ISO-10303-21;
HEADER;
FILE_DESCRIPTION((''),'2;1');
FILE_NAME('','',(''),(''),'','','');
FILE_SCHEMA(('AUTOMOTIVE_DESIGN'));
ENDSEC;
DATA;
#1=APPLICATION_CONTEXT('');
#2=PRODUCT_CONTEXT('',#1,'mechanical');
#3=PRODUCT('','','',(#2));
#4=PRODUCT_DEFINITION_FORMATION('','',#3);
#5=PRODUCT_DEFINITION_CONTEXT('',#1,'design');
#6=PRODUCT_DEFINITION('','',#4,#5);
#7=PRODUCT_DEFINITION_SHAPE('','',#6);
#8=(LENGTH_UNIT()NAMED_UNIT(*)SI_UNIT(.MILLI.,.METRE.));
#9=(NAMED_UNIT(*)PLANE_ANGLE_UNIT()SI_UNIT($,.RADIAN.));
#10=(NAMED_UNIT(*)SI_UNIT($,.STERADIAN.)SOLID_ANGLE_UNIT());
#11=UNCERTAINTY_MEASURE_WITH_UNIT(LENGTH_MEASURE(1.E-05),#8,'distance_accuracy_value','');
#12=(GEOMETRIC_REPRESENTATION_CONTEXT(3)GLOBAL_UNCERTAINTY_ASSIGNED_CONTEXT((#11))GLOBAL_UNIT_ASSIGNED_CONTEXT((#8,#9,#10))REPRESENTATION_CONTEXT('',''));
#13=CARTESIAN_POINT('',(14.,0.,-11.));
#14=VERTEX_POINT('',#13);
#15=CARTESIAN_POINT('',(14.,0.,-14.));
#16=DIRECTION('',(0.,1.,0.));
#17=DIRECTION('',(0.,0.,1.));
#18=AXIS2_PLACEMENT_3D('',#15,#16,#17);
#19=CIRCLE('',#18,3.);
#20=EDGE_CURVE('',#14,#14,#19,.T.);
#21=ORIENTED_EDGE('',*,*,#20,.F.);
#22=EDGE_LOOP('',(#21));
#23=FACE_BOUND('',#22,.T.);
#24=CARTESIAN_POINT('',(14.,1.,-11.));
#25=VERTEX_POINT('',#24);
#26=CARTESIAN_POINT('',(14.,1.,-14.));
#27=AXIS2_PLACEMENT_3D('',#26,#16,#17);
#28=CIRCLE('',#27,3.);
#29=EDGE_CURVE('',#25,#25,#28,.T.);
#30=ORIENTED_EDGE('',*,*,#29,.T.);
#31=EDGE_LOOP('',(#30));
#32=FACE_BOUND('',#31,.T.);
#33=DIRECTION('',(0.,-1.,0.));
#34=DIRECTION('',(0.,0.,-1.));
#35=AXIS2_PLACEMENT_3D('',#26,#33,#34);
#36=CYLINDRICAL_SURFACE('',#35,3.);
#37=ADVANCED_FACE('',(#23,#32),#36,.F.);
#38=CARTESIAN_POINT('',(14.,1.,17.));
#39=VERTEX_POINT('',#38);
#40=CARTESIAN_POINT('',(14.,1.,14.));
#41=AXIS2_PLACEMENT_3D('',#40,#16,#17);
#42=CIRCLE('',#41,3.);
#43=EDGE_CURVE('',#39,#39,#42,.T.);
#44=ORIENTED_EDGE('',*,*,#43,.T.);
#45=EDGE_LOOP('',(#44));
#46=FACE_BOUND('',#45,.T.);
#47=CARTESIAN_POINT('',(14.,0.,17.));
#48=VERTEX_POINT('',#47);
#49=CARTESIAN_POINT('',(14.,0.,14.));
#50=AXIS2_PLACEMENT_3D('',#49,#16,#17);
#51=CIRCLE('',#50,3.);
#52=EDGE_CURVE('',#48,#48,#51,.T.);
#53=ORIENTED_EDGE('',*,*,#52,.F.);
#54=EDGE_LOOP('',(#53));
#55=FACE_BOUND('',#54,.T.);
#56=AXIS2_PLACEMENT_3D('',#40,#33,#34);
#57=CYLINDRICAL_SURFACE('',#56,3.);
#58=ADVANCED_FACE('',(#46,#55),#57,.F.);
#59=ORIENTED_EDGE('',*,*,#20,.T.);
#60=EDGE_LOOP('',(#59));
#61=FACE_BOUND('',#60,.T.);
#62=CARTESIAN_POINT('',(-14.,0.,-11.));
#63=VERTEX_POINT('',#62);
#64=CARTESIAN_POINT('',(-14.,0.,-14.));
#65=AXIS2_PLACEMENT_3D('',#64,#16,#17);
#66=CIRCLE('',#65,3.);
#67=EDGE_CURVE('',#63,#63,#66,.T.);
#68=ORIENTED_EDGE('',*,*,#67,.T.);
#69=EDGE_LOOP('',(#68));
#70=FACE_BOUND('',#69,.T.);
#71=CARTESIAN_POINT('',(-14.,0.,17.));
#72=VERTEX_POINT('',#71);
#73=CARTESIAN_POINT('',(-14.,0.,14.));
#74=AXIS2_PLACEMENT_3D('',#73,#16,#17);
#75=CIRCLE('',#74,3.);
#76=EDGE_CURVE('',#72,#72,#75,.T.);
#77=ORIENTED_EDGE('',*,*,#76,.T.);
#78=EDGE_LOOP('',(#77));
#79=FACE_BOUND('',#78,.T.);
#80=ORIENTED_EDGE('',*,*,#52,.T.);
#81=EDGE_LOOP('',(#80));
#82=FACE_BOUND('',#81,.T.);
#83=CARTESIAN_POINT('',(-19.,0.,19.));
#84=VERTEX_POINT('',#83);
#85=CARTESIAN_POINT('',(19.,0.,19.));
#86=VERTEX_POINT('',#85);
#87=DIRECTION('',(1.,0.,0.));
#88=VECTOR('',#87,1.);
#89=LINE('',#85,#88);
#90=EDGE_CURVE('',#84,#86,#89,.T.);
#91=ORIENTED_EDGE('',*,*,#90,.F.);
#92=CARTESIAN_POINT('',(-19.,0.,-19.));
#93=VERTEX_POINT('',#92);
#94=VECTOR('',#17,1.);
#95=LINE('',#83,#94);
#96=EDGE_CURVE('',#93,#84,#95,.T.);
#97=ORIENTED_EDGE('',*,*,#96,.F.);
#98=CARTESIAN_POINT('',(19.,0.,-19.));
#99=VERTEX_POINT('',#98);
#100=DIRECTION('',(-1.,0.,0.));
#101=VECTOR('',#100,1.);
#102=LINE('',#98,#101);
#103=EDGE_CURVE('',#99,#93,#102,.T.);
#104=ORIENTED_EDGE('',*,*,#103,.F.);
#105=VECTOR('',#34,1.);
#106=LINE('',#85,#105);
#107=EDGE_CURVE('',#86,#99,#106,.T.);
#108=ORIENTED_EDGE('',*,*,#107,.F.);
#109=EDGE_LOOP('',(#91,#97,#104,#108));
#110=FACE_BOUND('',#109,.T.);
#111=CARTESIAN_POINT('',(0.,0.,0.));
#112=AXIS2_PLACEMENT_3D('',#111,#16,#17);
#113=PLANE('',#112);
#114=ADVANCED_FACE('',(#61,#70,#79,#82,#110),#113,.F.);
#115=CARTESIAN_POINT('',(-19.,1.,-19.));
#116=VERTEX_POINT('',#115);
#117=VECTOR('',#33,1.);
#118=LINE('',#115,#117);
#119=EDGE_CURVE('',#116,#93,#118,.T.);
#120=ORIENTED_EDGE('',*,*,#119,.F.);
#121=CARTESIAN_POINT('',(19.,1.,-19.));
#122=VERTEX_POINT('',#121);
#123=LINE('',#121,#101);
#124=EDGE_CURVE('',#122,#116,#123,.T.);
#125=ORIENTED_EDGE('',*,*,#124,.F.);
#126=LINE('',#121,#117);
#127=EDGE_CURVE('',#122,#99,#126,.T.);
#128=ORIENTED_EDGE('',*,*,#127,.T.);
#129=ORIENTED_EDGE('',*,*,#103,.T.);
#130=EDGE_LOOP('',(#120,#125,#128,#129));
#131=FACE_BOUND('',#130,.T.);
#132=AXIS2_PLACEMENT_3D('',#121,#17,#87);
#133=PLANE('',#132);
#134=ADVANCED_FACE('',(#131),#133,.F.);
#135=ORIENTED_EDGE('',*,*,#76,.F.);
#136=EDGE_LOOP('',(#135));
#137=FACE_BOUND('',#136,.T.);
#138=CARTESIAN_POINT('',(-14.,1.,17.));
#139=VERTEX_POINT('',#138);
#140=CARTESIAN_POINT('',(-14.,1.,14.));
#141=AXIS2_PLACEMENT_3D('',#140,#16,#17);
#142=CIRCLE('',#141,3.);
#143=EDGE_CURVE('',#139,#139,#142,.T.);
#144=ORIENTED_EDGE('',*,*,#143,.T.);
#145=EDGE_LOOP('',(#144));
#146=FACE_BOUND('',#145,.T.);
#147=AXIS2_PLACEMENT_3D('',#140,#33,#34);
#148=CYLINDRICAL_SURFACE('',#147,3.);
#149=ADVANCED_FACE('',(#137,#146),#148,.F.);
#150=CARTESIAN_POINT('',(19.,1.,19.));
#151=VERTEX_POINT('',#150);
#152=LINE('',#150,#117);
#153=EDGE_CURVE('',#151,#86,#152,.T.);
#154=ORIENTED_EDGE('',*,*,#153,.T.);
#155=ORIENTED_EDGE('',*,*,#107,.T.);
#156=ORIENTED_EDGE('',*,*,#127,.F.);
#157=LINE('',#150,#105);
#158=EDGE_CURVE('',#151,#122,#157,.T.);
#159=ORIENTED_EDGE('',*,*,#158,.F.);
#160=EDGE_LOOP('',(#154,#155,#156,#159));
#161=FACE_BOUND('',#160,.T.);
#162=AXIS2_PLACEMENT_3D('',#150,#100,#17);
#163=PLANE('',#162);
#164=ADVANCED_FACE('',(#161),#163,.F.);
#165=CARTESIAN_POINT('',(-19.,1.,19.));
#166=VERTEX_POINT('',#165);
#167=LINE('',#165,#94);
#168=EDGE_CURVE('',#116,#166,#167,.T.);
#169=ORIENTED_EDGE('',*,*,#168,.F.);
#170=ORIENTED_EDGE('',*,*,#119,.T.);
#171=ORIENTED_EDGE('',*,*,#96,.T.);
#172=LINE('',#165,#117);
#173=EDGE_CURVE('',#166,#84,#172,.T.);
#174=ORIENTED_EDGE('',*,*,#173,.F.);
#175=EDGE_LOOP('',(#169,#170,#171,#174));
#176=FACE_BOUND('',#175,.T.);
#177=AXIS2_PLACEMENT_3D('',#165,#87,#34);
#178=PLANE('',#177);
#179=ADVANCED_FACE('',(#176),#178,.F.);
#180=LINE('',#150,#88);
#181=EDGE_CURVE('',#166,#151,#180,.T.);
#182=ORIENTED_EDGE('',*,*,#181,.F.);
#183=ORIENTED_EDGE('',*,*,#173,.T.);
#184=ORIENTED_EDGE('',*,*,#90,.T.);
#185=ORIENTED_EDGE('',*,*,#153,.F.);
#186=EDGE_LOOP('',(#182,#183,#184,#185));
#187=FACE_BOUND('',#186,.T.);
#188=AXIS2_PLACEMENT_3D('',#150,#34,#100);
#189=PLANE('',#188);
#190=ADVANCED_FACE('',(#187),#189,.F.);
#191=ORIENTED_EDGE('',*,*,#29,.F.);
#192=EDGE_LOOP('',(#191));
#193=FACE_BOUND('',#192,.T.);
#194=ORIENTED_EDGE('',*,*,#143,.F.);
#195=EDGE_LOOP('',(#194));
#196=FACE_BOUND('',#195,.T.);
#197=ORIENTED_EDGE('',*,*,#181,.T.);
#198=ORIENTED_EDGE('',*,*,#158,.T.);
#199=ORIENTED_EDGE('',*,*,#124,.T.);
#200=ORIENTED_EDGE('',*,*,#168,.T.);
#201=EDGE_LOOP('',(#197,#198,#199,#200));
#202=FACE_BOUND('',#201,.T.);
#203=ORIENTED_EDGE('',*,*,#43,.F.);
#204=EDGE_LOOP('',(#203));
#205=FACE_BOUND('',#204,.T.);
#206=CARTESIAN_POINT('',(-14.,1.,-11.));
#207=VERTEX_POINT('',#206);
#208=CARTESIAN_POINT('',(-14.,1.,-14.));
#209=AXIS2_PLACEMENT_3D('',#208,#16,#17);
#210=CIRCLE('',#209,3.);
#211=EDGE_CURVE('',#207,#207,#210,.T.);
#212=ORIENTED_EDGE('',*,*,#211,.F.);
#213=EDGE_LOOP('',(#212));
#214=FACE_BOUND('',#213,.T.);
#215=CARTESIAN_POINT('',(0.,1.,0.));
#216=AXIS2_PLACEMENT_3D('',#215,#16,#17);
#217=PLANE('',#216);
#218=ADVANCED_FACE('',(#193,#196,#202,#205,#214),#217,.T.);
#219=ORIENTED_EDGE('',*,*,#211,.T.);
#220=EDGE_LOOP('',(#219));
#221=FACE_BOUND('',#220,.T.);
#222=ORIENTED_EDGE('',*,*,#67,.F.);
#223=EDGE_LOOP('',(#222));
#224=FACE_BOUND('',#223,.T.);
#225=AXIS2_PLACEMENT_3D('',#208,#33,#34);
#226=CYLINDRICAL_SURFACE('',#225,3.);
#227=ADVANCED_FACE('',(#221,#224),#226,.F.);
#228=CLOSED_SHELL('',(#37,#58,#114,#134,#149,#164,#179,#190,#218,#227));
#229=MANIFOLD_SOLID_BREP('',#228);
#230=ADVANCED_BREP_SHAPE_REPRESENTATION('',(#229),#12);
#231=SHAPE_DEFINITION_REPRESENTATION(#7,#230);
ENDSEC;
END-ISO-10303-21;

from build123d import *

# Parameters (mm, degrees)
SKETCH_1_W      = 38
SKETCH_1_H      = 38
SKETCH_1_R      = 3
EXTRUDE_1_DEPTH = 1


with BuildPart() as part:
    # Эскиз1 → Бобышка-Вытянуть1 (new body)
    with BuildSketch(Plane(origin=(0, 0, 0), x_dir=(1, 0, 0), z_dir=(0, 1, 0))):
        Rectangle(SKETCH_1_W, SKETCH_1_H)
        with Locations(Location((-14, 14, 0), (0, 0, 270))):
            Circle(SKETCH_1_R, mode=Mode.SUBTRACT)
        with Locations(Location((14, 14, 0), (0, 0, 270))):
            Circle(SKETCH_1_R, mode=Mode.SUBTRACT)
        with Locations(Location((14, -14, 0), (0, 0, 270))):
            Circle(SKETCH_1_R, mode=Mode.SUBTRACT)
        with Locations(Location((-14, -14, 0), (0, 0, 270))):
            Circle(SKETCH_1_R, mode=Mode.SUBTRACT)
    extrude(amount=EXTRUDE_1_DEPTH)


solid = part.part
